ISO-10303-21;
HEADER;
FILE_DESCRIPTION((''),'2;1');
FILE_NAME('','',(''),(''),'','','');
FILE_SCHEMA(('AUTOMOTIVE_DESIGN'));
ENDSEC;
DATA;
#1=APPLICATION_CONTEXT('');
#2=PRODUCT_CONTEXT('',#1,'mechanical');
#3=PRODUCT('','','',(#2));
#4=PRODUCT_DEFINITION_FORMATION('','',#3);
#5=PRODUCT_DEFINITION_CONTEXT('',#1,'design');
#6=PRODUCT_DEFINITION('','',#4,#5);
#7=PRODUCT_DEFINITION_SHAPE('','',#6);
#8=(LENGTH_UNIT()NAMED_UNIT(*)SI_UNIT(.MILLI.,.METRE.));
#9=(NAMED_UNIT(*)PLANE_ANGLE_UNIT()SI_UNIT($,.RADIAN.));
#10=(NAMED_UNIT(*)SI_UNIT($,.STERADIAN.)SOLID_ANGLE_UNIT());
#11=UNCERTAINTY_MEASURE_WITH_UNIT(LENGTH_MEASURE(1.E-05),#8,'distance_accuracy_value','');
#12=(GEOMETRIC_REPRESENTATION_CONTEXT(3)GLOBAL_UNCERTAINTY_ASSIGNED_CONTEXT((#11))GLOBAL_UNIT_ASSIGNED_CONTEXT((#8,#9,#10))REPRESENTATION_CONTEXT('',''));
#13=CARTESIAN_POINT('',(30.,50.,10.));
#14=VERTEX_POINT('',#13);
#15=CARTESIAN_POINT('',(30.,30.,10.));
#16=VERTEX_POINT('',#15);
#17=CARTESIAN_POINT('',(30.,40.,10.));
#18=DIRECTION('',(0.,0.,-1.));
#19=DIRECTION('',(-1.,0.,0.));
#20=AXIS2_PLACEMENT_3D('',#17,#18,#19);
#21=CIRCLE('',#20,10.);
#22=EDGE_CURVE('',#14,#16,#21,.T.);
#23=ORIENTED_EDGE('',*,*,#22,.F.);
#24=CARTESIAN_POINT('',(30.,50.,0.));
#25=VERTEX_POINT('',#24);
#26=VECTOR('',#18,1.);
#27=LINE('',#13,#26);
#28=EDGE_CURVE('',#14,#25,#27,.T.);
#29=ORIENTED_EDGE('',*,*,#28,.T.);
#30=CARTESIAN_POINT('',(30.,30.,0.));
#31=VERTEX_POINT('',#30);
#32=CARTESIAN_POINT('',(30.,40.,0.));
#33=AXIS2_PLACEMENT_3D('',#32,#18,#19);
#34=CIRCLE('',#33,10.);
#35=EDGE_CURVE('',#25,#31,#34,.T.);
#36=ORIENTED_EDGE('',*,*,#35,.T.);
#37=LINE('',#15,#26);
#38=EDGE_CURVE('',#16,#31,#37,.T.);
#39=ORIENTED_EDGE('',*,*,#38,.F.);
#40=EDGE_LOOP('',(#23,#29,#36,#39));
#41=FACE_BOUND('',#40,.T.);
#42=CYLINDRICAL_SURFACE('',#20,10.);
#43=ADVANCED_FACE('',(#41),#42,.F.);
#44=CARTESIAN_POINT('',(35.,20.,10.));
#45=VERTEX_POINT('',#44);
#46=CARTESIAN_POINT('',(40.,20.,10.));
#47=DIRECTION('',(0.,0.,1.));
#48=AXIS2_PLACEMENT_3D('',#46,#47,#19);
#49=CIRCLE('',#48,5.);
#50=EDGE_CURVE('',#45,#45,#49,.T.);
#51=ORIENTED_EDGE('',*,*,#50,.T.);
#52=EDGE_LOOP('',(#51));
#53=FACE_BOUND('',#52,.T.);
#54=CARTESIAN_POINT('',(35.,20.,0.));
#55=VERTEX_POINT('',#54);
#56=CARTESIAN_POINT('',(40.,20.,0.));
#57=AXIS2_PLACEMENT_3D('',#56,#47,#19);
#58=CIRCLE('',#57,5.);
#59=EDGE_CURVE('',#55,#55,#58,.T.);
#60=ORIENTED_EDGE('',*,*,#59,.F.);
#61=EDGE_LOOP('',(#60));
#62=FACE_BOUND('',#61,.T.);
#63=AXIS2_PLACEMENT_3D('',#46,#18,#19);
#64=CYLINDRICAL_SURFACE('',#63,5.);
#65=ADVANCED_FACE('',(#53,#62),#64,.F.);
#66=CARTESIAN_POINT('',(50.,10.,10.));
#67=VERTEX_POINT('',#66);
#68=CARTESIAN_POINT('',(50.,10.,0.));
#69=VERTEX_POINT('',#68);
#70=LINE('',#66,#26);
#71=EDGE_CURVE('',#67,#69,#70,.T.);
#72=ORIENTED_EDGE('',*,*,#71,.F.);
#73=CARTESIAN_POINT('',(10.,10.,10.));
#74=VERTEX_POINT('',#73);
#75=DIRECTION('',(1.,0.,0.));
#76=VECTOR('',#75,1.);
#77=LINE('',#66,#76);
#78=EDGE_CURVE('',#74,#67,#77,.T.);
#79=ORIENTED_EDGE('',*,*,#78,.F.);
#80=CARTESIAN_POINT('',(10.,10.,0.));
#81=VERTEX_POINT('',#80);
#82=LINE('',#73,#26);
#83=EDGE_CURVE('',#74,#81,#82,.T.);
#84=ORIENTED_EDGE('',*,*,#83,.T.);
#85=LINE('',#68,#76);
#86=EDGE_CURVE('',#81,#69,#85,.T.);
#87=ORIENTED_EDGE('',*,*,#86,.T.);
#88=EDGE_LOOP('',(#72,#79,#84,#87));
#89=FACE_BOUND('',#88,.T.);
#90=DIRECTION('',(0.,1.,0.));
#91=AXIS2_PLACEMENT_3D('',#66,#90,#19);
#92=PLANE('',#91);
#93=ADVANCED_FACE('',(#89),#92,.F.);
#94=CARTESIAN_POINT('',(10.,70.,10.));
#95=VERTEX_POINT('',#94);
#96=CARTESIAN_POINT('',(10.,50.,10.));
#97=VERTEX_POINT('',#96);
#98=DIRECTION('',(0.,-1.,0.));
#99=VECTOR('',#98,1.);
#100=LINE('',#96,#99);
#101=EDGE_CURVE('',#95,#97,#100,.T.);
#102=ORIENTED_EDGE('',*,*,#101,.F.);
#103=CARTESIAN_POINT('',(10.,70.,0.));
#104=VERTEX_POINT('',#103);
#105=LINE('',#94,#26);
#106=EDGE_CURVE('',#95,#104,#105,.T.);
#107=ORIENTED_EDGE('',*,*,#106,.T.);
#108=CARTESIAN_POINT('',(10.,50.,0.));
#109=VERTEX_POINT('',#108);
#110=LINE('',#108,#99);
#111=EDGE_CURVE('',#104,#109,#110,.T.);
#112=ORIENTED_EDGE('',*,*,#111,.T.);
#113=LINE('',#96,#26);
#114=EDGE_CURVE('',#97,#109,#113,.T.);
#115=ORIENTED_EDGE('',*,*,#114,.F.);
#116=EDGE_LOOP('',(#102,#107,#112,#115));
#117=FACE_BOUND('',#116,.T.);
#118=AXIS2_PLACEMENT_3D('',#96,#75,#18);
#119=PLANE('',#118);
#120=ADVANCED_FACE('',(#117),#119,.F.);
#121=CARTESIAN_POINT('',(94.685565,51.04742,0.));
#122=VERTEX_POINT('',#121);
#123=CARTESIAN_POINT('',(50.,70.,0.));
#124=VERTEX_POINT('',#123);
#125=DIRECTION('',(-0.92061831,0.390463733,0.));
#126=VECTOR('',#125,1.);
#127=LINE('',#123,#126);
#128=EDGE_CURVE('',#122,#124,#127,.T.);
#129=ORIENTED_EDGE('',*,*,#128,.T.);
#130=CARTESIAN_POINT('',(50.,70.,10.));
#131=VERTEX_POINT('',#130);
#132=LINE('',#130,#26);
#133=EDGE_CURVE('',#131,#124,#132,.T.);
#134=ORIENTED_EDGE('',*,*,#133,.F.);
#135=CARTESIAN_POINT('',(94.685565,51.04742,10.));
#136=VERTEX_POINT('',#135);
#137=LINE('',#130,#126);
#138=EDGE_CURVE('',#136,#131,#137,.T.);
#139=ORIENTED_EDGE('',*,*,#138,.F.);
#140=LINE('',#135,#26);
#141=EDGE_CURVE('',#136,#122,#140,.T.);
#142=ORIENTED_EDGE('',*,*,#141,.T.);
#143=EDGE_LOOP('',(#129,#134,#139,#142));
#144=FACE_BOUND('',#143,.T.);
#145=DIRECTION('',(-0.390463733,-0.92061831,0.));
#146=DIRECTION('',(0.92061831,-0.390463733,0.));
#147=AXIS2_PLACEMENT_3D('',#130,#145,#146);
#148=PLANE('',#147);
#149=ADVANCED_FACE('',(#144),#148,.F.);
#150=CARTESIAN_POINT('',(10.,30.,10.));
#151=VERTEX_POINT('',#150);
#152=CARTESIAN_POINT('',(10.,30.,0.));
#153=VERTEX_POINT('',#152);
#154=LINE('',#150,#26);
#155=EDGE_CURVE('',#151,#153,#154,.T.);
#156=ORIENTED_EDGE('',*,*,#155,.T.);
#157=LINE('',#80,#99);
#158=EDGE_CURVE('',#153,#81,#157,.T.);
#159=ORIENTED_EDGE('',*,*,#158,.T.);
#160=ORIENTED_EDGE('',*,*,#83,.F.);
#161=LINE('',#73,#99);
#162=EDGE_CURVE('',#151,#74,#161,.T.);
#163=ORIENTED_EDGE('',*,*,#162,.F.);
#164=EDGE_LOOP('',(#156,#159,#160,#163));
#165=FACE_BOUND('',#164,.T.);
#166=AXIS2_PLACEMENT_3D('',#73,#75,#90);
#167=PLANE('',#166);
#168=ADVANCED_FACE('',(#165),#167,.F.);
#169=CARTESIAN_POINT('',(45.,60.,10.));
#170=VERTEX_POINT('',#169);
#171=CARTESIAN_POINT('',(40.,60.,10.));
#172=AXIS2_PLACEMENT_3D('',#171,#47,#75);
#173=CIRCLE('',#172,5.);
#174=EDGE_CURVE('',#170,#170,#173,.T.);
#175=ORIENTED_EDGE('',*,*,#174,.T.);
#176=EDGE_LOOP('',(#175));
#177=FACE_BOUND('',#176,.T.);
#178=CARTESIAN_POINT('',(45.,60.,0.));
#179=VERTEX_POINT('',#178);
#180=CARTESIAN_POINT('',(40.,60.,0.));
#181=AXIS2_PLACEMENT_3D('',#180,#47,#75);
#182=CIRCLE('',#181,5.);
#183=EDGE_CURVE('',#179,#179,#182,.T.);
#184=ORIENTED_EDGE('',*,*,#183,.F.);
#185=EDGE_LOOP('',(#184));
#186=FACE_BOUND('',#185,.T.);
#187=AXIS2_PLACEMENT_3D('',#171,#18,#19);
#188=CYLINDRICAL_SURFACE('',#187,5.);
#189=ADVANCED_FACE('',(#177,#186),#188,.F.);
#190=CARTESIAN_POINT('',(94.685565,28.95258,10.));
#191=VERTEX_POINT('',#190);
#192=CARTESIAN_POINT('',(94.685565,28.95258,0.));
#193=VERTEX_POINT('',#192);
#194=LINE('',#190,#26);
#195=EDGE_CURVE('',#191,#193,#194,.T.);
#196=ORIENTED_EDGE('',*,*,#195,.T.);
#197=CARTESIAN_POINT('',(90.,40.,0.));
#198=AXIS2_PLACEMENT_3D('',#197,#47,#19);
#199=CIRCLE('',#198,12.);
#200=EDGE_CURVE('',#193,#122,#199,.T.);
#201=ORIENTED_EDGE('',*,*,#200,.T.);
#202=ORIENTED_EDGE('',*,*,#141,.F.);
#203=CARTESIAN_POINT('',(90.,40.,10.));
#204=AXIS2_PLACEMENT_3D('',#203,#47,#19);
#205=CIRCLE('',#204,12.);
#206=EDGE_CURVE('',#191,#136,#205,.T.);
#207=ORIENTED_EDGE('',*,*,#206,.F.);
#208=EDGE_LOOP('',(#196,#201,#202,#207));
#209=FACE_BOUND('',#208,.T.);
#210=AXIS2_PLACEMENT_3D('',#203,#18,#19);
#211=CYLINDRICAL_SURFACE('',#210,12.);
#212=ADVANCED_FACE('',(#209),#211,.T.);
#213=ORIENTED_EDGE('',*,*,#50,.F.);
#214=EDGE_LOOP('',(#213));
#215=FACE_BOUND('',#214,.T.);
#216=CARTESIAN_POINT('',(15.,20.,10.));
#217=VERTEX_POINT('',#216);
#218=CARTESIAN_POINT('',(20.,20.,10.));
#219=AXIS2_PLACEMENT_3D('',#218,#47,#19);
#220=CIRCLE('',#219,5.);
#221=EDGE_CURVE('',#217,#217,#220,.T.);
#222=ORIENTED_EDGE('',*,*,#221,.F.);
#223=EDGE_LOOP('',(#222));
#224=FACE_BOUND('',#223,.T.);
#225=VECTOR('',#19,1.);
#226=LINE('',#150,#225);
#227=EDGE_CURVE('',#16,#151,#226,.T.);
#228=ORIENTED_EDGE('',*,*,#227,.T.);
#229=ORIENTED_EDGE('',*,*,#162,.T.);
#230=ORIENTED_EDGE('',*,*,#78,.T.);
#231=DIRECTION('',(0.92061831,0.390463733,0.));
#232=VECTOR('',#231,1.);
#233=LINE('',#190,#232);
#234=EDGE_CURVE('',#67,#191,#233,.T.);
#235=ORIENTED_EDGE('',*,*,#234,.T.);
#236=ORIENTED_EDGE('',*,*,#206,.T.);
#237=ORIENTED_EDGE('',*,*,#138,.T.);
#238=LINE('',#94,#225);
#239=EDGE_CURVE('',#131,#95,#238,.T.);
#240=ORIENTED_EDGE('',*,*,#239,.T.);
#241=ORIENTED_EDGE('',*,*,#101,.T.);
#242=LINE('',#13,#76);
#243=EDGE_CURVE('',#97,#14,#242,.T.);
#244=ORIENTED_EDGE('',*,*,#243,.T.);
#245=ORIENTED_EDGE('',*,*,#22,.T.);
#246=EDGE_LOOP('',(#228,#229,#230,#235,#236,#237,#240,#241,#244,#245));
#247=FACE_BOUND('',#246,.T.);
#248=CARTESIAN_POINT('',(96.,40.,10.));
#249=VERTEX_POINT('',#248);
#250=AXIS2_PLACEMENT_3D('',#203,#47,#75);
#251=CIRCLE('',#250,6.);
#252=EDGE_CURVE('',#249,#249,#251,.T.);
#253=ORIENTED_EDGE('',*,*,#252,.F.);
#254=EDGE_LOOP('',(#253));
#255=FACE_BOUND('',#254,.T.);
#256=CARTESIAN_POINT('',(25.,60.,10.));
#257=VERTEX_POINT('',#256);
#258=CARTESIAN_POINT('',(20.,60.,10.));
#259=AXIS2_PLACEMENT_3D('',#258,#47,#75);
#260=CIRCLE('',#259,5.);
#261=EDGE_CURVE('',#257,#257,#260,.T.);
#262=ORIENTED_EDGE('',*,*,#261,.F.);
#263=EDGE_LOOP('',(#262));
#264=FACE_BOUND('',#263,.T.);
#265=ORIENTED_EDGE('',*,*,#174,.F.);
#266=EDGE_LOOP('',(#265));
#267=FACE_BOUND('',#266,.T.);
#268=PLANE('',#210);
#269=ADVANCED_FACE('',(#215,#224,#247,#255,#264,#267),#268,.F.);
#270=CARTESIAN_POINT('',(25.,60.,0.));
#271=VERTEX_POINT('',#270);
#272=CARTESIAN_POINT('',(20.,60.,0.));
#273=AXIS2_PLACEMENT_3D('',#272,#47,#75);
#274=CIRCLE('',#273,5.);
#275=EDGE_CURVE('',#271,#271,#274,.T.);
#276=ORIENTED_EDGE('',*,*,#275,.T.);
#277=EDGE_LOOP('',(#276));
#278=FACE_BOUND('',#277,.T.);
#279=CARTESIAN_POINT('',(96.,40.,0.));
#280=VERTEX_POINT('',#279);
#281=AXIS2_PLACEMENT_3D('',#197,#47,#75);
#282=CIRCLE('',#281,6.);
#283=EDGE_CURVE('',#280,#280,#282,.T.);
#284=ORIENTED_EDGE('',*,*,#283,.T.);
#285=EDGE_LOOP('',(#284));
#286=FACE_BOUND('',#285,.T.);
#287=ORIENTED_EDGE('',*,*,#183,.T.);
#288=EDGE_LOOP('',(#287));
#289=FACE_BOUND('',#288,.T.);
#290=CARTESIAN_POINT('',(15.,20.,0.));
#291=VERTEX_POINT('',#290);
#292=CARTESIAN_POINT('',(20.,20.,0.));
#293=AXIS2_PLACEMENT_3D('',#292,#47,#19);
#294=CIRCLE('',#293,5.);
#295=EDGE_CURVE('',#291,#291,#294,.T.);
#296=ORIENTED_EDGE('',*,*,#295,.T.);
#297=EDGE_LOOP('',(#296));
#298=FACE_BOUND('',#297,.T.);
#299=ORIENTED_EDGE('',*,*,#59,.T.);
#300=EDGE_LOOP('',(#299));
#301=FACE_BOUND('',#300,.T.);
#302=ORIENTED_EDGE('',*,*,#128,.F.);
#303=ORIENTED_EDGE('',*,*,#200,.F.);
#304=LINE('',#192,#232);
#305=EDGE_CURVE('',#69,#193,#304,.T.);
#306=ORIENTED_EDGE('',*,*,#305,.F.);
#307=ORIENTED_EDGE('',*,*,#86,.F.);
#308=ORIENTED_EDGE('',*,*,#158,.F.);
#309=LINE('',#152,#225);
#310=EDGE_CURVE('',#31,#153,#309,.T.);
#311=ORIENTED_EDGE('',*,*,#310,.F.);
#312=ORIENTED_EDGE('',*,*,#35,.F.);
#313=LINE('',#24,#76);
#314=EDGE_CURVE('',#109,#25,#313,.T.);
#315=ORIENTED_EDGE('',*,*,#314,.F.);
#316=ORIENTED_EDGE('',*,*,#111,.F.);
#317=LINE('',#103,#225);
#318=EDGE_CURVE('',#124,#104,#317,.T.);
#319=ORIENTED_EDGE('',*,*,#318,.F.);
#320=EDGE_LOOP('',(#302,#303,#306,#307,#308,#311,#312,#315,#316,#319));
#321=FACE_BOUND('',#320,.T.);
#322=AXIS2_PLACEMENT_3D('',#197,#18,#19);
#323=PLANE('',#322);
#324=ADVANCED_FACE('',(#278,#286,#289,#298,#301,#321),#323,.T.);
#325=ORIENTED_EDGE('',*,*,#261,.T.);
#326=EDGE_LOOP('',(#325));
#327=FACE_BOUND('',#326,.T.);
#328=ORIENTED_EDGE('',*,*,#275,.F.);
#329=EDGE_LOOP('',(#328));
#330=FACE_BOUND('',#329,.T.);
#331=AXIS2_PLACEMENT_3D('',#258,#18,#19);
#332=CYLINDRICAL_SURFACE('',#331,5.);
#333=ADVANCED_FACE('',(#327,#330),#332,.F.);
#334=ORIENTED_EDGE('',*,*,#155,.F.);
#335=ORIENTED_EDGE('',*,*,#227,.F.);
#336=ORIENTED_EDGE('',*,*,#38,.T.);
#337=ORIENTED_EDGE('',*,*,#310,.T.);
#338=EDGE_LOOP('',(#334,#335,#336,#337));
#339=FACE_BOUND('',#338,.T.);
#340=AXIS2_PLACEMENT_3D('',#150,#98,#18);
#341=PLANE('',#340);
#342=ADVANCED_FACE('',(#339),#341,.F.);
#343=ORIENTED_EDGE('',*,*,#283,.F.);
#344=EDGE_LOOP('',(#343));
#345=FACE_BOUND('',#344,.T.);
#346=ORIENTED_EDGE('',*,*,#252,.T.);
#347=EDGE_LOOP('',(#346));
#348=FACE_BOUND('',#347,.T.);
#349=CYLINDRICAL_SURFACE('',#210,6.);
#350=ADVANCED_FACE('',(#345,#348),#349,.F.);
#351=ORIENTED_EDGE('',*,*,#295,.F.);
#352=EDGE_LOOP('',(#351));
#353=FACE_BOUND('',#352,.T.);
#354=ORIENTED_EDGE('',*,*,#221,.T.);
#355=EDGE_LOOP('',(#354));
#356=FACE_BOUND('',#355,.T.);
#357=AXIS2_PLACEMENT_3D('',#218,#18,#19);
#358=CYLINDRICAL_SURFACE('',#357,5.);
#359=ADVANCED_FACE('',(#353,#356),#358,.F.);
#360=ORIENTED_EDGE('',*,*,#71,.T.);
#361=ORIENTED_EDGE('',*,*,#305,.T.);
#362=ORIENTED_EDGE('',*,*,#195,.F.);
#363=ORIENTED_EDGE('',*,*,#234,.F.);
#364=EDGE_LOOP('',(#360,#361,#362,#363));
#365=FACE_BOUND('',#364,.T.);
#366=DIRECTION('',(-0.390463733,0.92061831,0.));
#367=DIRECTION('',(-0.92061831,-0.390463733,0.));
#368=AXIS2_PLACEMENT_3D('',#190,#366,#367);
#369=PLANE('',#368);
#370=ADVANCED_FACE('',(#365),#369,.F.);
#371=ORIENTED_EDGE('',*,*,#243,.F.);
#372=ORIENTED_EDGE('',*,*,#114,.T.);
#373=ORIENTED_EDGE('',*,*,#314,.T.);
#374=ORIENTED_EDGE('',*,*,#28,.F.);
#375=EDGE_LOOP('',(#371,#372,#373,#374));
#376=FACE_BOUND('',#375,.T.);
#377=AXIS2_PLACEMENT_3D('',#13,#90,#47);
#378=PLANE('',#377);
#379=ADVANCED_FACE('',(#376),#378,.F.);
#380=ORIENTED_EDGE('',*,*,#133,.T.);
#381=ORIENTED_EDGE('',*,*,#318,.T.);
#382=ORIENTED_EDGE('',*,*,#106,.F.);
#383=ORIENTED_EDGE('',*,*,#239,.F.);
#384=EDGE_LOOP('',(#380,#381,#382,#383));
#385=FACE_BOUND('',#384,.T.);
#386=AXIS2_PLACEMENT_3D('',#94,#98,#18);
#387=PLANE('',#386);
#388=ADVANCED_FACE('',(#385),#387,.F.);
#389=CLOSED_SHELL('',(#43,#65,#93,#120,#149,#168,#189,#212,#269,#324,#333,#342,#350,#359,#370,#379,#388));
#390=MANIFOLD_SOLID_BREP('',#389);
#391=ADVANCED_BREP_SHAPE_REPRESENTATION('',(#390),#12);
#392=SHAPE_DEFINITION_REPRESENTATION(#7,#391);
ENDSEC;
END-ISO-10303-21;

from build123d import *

# Parameters (mm, degrees)
SKETCH1_R           = 6
SKETCH1_R_2         = 5
BOSS_EXTRUDE1_DEPTH = 10


with BuildPart() as part:
    # Sketch1 → Boss-Extrude1 (new body)
    with BuildSketch(Plane.XY):
        with BuildLine():
            Line((10, 70), (50, 70))
            Line((50, 70), (94.685564793, 51.047419724))
            ThreePointArc((94.685564793, 51.047419724), (102, 40), (94.685564793, 28.952580276))
            Line((94.685564793, 28.952580276), (50, 10))
            Line((50, 10), (10, 10))
            Line((10, 10), (10, 30))
            Line((10, 30), (30, 30))
            ThreePointArc((30, 30), (40, 40), (30, 50))
            Line((30, 50), (10, 50))
            Line((10, 50), (10, 70))
        make_face()
        with Locations((90, 40)):
            Circle(SKETCH1_R, mode=Mode.SUBTRACT)
        with Locations((20, 60)):
            Circle(SKETCH1_R_2, mode=Mode.SUBTRACT)
        with Locations((40, 60)):
            Circle(SKETCH1_R_2, mode=Mode.SUBTRACT)
        with Locations(Location((40, 20, 0), (0, 0, 180))):
            Circle(SKETCH1_R_2, mode=Mode.SUBTRACT)
        with Locations(Location((20, 20, 0), (0, 0, 180))):
            Circle(SKETCH1_R_2, mode=Mode.SUBTRACT)
    extrude(amount=BOSS_EXTRUDE1_DEPTH)


solid = part.part
